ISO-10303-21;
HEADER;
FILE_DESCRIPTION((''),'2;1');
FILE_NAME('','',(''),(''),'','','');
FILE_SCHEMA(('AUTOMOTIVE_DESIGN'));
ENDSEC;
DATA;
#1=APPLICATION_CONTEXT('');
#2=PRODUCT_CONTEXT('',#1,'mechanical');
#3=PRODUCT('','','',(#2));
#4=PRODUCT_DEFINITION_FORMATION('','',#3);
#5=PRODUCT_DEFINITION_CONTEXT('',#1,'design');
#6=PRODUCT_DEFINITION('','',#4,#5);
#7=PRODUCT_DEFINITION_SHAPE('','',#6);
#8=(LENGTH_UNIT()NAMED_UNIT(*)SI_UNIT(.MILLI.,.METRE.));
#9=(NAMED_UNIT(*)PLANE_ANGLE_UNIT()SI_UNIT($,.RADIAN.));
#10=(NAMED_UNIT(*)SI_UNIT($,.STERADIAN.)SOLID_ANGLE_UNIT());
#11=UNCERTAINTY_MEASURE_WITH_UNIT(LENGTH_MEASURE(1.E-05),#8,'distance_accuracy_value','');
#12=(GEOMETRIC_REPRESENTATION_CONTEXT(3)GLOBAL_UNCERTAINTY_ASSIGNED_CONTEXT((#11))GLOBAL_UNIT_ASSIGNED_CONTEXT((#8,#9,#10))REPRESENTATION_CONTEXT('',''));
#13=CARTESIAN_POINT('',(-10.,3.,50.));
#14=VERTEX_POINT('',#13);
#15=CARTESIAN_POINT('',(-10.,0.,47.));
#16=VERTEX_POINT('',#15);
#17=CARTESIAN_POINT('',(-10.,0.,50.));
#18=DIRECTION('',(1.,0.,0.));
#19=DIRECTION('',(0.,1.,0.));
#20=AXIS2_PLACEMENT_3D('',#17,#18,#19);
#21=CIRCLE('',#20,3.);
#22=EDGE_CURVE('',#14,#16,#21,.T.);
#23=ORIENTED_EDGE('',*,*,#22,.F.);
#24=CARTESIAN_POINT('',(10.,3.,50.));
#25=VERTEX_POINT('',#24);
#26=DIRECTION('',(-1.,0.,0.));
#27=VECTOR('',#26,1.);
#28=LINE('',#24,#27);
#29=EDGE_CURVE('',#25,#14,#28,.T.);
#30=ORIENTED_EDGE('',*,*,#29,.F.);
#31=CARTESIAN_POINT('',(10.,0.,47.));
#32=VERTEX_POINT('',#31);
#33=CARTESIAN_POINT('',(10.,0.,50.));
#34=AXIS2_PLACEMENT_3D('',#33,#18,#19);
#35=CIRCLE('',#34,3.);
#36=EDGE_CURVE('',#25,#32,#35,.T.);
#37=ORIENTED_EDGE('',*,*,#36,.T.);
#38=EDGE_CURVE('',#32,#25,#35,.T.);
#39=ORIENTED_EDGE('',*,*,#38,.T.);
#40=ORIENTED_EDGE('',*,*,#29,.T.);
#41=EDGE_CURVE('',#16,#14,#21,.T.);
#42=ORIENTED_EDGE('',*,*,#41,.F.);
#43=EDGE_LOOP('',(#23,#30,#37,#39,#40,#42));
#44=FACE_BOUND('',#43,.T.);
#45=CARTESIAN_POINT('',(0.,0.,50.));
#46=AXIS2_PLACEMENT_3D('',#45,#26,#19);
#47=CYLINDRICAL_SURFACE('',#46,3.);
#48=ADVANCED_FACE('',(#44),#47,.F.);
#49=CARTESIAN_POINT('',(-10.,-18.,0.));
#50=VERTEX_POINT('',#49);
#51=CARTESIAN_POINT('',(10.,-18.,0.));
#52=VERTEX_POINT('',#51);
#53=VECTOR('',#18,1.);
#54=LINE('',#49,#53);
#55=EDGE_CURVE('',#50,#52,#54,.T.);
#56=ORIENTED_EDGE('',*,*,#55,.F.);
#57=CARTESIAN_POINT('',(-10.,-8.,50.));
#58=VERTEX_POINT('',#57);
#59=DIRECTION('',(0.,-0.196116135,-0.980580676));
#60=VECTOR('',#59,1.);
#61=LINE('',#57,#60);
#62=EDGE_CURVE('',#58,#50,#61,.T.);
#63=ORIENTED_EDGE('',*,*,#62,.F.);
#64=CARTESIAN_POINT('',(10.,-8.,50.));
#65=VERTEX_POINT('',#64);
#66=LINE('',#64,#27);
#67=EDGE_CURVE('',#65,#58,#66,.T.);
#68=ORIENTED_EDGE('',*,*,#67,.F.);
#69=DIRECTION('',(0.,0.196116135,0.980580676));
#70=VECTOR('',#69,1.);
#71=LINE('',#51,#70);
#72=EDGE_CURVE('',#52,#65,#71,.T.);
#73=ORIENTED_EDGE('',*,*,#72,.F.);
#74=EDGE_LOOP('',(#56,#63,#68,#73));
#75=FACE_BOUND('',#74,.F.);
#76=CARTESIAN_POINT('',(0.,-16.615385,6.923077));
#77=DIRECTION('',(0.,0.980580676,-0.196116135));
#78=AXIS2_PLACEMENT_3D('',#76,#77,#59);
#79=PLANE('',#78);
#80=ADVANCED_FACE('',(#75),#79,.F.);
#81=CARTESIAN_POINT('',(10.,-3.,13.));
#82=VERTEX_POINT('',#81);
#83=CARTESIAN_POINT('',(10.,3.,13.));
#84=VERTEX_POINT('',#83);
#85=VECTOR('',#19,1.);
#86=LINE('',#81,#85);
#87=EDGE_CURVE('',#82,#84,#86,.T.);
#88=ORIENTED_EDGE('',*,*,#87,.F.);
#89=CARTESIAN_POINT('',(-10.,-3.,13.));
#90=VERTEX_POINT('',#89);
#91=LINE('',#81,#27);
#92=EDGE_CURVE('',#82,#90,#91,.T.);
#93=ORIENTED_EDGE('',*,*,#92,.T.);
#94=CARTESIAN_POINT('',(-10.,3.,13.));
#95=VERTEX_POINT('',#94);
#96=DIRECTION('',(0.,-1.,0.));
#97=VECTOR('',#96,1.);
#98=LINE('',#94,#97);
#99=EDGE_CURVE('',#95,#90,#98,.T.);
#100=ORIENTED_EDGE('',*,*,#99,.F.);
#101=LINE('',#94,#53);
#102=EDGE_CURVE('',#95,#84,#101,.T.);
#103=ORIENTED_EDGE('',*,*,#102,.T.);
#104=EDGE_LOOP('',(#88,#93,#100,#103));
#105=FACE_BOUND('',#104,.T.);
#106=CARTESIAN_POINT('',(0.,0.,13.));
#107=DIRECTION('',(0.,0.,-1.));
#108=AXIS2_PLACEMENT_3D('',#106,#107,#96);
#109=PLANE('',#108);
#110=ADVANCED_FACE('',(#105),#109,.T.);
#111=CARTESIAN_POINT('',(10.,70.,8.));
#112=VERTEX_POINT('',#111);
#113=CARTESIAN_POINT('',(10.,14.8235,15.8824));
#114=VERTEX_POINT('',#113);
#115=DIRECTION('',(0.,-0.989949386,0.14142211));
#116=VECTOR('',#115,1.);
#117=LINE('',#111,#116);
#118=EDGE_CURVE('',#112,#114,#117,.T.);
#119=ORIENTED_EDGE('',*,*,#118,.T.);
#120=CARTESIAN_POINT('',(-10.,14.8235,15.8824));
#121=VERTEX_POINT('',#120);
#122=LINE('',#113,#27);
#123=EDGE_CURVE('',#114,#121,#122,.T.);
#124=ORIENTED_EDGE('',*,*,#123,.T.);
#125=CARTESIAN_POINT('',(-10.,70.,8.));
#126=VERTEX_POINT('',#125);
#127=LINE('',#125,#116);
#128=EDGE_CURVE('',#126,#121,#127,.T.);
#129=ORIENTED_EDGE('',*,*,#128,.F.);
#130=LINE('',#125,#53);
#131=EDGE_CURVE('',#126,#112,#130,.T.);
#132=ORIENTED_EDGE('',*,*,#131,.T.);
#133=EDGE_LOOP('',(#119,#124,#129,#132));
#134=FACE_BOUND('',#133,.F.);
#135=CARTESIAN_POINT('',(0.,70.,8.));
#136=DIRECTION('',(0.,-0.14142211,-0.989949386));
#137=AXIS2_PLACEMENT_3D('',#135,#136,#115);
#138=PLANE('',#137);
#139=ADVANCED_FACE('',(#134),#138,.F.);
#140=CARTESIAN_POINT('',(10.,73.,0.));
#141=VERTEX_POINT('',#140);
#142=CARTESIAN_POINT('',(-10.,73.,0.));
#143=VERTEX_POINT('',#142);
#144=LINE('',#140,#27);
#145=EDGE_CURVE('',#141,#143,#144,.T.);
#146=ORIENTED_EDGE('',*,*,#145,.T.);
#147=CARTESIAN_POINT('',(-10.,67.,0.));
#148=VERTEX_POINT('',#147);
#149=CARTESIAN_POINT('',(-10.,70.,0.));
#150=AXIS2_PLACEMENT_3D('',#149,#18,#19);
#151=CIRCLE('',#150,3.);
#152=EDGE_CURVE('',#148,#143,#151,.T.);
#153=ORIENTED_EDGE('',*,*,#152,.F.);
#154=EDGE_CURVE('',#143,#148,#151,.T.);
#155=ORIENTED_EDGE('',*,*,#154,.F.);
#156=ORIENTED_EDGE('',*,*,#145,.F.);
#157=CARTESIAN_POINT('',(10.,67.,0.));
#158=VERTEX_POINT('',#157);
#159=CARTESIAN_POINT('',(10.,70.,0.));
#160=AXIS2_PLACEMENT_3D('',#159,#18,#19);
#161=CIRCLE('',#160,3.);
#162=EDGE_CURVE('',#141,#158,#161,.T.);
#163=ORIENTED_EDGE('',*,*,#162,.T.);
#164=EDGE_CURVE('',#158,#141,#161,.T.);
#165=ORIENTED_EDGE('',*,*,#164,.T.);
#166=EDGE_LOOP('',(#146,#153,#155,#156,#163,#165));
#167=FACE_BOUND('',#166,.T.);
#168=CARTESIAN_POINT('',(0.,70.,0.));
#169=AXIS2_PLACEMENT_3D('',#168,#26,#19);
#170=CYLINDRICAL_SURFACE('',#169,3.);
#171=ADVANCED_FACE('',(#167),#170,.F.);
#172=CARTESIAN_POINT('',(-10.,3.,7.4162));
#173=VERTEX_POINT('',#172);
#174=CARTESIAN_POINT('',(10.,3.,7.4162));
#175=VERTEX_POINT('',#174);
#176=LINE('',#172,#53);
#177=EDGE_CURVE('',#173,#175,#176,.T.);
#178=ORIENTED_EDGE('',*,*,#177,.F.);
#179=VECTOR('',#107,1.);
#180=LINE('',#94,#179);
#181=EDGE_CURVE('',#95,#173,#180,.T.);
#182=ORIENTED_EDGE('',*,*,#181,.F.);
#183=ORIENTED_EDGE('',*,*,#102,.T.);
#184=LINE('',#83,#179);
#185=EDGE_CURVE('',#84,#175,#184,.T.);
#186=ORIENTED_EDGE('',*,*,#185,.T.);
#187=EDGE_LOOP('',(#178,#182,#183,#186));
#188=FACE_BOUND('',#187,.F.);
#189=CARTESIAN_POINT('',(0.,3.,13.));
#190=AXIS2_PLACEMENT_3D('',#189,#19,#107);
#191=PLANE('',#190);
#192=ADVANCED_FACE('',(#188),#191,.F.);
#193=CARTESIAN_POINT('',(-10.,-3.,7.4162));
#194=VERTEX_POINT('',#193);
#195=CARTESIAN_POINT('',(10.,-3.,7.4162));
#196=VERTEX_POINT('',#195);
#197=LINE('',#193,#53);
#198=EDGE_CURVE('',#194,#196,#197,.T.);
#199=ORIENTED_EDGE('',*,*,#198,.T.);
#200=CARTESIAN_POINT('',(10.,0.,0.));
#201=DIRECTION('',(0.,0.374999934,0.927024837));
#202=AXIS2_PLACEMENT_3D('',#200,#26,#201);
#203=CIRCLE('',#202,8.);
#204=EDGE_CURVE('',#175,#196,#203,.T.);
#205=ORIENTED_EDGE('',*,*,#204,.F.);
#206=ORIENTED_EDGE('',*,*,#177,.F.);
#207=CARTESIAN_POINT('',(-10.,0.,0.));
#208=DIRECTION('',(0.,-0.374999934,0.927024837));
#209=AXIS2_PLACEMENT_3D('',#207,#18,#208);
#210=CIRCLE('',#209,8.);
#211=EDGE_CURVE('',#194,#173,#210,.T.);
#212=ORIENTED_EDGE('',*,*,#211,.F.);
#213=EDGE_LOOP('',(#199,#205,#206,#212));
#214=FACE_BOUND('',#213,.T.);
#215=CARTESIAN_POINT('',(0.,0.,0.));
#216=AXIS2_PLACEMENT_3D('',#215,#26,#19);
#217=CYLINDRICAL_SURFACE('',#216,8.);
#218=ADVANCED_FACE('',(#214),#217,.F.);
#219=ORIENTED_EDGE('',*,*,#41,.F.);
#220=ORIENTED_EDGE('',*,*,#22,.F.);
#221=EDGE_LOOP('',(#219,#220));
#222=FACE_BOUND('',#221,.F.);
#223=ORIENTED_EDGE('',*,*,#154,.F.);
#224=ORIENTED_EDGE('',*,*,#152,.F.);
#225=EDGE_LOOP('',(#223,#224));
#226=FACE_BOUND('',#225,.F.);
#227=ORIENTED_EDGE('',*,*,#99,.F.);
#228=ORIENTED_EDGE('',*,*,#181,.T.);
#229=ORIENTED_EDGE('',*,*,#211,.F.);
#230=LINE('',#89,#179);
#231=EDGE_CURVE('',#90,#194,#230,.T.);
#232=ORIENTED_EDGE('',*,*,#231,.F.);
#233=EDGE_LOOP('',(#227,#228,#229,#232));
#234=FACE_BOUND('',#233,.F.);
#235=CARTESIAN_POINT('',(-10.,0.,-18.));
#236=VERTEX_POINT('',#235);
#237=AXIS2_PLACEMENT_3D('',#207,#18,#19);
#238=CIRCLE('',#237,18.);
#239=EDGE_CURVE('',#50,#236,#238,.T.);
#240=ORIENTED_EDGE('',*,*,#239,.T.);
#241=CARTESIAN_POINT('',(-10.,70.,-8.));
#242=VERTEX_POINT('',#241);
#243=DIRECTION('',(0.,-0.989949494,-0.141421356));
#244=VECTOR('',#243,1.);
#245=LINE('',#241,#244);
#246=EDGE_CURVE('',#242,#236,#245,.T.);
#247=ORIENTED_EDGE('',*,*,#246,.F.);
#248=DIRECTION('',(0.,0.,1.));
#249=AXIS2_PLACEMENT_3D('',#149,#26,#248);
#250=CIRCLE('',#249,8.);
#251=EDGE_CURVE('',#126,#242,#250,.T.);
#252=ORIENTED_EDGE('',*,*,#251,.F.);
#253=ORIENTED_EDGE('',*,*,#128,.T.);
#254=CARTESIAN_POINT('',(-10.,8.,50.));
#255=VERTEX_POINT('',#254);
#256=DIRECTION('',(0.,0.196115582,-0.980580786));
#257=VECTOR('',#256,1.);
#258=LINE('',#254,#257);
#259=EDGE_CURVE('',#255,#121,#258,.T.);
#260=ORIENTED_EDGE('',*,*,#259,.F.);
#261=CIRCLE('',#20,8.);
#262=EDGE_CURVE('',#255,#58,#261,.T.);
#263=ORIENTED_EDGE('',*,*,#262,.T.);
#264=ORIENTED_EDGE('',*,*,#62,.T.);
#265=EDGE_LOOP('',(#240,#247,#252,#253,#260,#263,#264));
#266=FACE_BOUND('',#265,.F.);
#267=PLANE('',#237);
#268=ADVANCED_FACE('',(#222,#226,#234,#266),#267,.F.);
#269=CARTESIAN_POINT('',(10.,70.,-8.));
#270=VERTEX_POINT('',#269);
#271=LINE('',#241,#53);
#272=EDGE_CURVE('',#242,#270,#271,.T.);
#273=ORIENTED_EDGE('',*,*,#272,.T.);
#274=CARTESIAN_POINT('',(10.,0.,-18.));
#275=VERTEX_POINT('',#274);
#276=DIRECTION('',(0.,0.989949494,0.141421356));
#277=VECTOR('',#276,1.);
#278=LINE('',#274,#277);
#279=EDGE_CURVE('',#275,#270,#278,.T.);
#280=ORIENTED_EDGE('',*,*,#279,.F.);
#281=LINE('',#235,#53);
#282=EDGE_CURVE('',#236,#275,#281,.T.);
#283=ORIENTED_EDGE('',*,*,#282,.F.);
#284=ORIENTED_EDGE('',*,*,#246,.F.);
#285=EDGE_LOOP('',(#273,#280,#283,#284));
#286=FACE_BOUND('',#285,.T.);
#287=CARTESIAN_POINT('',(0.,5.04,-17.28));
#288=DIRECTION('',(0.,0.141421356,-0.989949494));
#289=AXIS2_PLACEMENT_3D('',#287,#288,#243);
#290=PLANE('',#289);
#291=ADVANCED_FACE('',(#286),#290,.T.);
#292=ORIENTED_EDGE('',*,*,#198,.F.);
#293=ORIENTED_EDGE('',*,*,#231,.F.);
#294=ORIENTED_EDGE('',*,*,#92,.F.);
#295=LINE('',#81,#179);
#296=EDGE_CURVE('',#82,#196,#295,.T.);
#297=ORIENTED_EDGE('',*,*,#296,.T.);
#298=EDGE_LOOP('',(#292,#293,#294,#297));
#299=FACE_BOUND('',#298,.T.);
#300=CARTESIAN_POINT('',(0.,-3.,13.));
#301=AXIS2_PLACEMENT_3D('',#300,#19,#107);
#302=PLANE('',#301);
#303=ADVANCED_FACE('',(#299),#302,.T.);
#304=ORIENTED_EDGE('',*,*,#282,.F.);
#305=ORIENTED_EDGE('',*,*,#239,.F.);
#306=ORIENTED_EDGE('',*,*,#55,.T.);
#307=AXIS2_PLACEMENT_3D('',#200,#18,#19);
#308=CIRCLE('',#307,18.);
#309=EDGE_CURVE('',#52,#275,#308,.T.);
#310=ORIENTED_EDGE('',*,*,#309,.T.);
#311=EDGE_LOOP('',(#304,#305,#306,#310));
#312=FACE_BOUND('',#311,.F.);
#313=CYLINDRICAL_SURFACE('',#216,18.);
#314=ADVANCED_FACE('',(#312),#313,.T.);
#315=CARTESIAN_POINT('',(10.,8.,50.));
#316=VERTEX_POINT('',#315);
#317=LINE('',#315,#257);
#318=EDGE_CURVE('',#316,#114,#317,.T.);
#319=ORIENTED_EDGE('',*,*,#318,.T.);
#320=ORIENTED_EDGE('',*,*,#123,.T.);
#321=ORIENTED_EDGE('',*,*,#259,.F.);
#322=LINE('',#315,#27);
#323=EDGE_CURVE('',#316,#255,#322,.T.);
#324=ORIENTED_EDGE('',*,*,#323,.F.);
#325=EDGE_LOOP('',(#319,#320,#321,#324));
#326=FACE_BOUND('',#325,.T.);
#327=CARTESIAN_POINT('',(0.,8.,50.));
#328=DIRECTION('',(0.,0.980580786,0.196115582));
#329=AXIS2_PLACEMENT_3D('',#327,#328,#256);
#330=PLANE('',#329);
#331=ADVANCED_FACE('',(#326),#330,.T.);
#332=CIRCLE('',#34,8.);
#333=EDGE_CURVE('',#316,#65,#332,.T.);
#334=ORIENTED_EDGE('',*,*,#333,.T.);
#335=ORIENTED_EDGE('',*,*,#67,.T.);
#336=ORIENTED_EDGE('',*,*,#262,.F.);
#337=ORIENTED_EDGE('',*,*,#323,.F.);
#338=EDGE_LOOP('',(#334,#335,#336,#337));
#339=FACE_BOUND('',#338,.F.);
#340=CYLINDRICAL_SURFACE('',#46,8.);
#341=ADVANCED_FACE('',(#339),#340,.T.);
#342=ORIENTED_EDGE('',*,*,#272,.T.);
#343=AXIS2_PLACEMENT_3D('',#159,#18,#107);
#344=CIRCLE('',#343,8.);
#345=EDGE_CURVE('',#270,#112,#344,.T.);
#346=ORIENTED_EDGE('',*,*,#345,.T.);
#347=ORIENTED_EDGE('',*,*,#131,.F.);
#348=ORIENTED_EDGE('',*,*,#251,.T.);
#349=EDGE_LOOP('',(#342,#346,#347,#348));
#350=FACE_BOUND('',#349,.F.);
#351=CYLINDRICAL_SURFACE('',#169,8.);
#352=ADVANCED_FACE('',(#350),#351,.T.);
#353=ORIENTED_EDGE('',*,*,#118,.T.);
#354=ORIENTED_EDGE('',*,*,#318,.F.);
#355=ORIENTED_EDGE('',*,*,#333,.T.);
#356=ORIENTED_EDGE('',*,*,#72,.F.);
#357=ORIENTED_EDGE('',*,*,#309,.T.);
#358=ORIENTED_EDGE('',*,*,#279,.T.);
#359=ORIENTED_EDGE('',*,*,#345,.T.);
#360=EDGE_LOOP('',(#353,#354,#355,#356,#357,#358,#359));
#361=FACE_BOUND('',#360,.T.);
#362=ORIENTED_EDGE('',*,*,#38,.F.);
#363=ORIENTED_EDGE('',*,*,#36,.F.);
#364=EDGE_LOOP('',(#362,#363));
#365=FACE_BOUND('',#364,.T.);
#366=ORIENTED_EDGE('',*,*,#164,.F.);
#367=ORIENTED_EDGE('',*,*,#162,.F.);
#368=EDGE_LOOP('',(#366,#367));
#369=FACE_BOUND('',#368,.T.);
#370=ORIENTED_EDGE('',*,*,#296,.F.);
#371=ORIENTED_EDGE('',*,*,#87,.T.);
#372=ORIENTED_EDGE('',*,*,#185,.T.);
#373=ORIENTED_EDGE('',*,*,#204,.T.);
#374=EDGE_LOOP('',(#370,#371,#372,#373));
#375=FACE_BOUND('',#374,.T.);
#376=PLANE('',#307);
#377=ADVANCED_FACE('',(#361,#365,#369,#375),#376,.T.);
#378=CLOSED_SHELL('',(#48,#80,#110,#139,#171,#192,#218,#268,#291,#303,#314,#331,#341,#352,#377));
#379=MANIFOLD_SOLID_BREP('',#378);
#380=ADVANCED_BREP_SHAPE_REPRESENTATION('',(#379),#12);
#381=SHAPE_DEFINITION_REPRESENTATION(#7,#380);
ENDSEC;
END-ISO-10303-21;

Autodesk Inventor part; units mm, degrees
ref_plane "YZ Plane" through (0, 0, 0) normal (1, 0, 0) x (0, 1, 0)
ref_plane "XZ Plane" through (0, 0, 0) normal (0, 1, 0) x (-1, 0, 0)
ref_plane "XY Plane" through (0, 0, 0) normal (0, 0, 1) x (1, 0, 0)
sketch "Sketch2" plane through (0, 0, 0) normal (1, 0, 0) x (0, 1, 0)
  circle A0 centre (0, 0) radius 18
  circle A1 centre (0, 0) radius 8
  line L0 (0, 0) -> (70, 0)
  circle A2 centre (70, 0) radius 3
  circle A3 centre (70, 0) radius 8
  line L1 (0, 0) -> (0, 50)
  circle A4 centre (0, 50) radius 3
  circle A5 centre (0, 50) radius 8
  line L2 (70, -8) -> (0, -18)
  line L3 (-8, 50) -> (-18, 0)
  line L4 (70, 8) -> (14.8235, 15.8824)
  line L5 (8, 50) -> (14.8235, 15.8824)
  line L6 (0, 8) -> (0, 13)
  line L7 (0, 13) -> (3, 13)
  line L8 (3, 13) -> (3, 7.4162)
  line L9 (0, 13) -> (-3, 13)
  line L10 (-3, 13) -> (-3, 7.4162)
  dimension "d0" = 36
  dimension "d1" = 16
  dimension "d2" = 70
  dimension "d3" = 6
  dimension "d4" = 16
  dimension "d5" = 50
  dimension "d6" = 6
  dimension "d7" = 16
  dimension "d14" = 5
  dimension "d15" = 3
  dimension "d16" = 3
sketch "Sketch3" plane through (0, 0, 0) normal (1, 0, 0) x (0, 1, 0)
  line L0 (-3, 17.6288) -> (-3, 22.6288)
  line L1 (-3, 22.6288) -> (3, 22.6288)
  point P0 (0, 0)
sketch "Sketch4" plane through (0, 0, 0) normal (1, 0, 0) x (0, 1, 0)
  point P0 (0, 0)
extrude "Extrusion1" add sketch "Sketch2" along normal blind 10 and the other way blind 10 contours L3 A0 L1 L9 L10 A1 L0 L2 | L3 A5 L1 A0 | A0 L0 A3 L2 | L1 A5 L5 L4 A3 L0 A0 | A0 L0 A1 L8 L7 L1 | A5 | A3
properties part number "hw3"
